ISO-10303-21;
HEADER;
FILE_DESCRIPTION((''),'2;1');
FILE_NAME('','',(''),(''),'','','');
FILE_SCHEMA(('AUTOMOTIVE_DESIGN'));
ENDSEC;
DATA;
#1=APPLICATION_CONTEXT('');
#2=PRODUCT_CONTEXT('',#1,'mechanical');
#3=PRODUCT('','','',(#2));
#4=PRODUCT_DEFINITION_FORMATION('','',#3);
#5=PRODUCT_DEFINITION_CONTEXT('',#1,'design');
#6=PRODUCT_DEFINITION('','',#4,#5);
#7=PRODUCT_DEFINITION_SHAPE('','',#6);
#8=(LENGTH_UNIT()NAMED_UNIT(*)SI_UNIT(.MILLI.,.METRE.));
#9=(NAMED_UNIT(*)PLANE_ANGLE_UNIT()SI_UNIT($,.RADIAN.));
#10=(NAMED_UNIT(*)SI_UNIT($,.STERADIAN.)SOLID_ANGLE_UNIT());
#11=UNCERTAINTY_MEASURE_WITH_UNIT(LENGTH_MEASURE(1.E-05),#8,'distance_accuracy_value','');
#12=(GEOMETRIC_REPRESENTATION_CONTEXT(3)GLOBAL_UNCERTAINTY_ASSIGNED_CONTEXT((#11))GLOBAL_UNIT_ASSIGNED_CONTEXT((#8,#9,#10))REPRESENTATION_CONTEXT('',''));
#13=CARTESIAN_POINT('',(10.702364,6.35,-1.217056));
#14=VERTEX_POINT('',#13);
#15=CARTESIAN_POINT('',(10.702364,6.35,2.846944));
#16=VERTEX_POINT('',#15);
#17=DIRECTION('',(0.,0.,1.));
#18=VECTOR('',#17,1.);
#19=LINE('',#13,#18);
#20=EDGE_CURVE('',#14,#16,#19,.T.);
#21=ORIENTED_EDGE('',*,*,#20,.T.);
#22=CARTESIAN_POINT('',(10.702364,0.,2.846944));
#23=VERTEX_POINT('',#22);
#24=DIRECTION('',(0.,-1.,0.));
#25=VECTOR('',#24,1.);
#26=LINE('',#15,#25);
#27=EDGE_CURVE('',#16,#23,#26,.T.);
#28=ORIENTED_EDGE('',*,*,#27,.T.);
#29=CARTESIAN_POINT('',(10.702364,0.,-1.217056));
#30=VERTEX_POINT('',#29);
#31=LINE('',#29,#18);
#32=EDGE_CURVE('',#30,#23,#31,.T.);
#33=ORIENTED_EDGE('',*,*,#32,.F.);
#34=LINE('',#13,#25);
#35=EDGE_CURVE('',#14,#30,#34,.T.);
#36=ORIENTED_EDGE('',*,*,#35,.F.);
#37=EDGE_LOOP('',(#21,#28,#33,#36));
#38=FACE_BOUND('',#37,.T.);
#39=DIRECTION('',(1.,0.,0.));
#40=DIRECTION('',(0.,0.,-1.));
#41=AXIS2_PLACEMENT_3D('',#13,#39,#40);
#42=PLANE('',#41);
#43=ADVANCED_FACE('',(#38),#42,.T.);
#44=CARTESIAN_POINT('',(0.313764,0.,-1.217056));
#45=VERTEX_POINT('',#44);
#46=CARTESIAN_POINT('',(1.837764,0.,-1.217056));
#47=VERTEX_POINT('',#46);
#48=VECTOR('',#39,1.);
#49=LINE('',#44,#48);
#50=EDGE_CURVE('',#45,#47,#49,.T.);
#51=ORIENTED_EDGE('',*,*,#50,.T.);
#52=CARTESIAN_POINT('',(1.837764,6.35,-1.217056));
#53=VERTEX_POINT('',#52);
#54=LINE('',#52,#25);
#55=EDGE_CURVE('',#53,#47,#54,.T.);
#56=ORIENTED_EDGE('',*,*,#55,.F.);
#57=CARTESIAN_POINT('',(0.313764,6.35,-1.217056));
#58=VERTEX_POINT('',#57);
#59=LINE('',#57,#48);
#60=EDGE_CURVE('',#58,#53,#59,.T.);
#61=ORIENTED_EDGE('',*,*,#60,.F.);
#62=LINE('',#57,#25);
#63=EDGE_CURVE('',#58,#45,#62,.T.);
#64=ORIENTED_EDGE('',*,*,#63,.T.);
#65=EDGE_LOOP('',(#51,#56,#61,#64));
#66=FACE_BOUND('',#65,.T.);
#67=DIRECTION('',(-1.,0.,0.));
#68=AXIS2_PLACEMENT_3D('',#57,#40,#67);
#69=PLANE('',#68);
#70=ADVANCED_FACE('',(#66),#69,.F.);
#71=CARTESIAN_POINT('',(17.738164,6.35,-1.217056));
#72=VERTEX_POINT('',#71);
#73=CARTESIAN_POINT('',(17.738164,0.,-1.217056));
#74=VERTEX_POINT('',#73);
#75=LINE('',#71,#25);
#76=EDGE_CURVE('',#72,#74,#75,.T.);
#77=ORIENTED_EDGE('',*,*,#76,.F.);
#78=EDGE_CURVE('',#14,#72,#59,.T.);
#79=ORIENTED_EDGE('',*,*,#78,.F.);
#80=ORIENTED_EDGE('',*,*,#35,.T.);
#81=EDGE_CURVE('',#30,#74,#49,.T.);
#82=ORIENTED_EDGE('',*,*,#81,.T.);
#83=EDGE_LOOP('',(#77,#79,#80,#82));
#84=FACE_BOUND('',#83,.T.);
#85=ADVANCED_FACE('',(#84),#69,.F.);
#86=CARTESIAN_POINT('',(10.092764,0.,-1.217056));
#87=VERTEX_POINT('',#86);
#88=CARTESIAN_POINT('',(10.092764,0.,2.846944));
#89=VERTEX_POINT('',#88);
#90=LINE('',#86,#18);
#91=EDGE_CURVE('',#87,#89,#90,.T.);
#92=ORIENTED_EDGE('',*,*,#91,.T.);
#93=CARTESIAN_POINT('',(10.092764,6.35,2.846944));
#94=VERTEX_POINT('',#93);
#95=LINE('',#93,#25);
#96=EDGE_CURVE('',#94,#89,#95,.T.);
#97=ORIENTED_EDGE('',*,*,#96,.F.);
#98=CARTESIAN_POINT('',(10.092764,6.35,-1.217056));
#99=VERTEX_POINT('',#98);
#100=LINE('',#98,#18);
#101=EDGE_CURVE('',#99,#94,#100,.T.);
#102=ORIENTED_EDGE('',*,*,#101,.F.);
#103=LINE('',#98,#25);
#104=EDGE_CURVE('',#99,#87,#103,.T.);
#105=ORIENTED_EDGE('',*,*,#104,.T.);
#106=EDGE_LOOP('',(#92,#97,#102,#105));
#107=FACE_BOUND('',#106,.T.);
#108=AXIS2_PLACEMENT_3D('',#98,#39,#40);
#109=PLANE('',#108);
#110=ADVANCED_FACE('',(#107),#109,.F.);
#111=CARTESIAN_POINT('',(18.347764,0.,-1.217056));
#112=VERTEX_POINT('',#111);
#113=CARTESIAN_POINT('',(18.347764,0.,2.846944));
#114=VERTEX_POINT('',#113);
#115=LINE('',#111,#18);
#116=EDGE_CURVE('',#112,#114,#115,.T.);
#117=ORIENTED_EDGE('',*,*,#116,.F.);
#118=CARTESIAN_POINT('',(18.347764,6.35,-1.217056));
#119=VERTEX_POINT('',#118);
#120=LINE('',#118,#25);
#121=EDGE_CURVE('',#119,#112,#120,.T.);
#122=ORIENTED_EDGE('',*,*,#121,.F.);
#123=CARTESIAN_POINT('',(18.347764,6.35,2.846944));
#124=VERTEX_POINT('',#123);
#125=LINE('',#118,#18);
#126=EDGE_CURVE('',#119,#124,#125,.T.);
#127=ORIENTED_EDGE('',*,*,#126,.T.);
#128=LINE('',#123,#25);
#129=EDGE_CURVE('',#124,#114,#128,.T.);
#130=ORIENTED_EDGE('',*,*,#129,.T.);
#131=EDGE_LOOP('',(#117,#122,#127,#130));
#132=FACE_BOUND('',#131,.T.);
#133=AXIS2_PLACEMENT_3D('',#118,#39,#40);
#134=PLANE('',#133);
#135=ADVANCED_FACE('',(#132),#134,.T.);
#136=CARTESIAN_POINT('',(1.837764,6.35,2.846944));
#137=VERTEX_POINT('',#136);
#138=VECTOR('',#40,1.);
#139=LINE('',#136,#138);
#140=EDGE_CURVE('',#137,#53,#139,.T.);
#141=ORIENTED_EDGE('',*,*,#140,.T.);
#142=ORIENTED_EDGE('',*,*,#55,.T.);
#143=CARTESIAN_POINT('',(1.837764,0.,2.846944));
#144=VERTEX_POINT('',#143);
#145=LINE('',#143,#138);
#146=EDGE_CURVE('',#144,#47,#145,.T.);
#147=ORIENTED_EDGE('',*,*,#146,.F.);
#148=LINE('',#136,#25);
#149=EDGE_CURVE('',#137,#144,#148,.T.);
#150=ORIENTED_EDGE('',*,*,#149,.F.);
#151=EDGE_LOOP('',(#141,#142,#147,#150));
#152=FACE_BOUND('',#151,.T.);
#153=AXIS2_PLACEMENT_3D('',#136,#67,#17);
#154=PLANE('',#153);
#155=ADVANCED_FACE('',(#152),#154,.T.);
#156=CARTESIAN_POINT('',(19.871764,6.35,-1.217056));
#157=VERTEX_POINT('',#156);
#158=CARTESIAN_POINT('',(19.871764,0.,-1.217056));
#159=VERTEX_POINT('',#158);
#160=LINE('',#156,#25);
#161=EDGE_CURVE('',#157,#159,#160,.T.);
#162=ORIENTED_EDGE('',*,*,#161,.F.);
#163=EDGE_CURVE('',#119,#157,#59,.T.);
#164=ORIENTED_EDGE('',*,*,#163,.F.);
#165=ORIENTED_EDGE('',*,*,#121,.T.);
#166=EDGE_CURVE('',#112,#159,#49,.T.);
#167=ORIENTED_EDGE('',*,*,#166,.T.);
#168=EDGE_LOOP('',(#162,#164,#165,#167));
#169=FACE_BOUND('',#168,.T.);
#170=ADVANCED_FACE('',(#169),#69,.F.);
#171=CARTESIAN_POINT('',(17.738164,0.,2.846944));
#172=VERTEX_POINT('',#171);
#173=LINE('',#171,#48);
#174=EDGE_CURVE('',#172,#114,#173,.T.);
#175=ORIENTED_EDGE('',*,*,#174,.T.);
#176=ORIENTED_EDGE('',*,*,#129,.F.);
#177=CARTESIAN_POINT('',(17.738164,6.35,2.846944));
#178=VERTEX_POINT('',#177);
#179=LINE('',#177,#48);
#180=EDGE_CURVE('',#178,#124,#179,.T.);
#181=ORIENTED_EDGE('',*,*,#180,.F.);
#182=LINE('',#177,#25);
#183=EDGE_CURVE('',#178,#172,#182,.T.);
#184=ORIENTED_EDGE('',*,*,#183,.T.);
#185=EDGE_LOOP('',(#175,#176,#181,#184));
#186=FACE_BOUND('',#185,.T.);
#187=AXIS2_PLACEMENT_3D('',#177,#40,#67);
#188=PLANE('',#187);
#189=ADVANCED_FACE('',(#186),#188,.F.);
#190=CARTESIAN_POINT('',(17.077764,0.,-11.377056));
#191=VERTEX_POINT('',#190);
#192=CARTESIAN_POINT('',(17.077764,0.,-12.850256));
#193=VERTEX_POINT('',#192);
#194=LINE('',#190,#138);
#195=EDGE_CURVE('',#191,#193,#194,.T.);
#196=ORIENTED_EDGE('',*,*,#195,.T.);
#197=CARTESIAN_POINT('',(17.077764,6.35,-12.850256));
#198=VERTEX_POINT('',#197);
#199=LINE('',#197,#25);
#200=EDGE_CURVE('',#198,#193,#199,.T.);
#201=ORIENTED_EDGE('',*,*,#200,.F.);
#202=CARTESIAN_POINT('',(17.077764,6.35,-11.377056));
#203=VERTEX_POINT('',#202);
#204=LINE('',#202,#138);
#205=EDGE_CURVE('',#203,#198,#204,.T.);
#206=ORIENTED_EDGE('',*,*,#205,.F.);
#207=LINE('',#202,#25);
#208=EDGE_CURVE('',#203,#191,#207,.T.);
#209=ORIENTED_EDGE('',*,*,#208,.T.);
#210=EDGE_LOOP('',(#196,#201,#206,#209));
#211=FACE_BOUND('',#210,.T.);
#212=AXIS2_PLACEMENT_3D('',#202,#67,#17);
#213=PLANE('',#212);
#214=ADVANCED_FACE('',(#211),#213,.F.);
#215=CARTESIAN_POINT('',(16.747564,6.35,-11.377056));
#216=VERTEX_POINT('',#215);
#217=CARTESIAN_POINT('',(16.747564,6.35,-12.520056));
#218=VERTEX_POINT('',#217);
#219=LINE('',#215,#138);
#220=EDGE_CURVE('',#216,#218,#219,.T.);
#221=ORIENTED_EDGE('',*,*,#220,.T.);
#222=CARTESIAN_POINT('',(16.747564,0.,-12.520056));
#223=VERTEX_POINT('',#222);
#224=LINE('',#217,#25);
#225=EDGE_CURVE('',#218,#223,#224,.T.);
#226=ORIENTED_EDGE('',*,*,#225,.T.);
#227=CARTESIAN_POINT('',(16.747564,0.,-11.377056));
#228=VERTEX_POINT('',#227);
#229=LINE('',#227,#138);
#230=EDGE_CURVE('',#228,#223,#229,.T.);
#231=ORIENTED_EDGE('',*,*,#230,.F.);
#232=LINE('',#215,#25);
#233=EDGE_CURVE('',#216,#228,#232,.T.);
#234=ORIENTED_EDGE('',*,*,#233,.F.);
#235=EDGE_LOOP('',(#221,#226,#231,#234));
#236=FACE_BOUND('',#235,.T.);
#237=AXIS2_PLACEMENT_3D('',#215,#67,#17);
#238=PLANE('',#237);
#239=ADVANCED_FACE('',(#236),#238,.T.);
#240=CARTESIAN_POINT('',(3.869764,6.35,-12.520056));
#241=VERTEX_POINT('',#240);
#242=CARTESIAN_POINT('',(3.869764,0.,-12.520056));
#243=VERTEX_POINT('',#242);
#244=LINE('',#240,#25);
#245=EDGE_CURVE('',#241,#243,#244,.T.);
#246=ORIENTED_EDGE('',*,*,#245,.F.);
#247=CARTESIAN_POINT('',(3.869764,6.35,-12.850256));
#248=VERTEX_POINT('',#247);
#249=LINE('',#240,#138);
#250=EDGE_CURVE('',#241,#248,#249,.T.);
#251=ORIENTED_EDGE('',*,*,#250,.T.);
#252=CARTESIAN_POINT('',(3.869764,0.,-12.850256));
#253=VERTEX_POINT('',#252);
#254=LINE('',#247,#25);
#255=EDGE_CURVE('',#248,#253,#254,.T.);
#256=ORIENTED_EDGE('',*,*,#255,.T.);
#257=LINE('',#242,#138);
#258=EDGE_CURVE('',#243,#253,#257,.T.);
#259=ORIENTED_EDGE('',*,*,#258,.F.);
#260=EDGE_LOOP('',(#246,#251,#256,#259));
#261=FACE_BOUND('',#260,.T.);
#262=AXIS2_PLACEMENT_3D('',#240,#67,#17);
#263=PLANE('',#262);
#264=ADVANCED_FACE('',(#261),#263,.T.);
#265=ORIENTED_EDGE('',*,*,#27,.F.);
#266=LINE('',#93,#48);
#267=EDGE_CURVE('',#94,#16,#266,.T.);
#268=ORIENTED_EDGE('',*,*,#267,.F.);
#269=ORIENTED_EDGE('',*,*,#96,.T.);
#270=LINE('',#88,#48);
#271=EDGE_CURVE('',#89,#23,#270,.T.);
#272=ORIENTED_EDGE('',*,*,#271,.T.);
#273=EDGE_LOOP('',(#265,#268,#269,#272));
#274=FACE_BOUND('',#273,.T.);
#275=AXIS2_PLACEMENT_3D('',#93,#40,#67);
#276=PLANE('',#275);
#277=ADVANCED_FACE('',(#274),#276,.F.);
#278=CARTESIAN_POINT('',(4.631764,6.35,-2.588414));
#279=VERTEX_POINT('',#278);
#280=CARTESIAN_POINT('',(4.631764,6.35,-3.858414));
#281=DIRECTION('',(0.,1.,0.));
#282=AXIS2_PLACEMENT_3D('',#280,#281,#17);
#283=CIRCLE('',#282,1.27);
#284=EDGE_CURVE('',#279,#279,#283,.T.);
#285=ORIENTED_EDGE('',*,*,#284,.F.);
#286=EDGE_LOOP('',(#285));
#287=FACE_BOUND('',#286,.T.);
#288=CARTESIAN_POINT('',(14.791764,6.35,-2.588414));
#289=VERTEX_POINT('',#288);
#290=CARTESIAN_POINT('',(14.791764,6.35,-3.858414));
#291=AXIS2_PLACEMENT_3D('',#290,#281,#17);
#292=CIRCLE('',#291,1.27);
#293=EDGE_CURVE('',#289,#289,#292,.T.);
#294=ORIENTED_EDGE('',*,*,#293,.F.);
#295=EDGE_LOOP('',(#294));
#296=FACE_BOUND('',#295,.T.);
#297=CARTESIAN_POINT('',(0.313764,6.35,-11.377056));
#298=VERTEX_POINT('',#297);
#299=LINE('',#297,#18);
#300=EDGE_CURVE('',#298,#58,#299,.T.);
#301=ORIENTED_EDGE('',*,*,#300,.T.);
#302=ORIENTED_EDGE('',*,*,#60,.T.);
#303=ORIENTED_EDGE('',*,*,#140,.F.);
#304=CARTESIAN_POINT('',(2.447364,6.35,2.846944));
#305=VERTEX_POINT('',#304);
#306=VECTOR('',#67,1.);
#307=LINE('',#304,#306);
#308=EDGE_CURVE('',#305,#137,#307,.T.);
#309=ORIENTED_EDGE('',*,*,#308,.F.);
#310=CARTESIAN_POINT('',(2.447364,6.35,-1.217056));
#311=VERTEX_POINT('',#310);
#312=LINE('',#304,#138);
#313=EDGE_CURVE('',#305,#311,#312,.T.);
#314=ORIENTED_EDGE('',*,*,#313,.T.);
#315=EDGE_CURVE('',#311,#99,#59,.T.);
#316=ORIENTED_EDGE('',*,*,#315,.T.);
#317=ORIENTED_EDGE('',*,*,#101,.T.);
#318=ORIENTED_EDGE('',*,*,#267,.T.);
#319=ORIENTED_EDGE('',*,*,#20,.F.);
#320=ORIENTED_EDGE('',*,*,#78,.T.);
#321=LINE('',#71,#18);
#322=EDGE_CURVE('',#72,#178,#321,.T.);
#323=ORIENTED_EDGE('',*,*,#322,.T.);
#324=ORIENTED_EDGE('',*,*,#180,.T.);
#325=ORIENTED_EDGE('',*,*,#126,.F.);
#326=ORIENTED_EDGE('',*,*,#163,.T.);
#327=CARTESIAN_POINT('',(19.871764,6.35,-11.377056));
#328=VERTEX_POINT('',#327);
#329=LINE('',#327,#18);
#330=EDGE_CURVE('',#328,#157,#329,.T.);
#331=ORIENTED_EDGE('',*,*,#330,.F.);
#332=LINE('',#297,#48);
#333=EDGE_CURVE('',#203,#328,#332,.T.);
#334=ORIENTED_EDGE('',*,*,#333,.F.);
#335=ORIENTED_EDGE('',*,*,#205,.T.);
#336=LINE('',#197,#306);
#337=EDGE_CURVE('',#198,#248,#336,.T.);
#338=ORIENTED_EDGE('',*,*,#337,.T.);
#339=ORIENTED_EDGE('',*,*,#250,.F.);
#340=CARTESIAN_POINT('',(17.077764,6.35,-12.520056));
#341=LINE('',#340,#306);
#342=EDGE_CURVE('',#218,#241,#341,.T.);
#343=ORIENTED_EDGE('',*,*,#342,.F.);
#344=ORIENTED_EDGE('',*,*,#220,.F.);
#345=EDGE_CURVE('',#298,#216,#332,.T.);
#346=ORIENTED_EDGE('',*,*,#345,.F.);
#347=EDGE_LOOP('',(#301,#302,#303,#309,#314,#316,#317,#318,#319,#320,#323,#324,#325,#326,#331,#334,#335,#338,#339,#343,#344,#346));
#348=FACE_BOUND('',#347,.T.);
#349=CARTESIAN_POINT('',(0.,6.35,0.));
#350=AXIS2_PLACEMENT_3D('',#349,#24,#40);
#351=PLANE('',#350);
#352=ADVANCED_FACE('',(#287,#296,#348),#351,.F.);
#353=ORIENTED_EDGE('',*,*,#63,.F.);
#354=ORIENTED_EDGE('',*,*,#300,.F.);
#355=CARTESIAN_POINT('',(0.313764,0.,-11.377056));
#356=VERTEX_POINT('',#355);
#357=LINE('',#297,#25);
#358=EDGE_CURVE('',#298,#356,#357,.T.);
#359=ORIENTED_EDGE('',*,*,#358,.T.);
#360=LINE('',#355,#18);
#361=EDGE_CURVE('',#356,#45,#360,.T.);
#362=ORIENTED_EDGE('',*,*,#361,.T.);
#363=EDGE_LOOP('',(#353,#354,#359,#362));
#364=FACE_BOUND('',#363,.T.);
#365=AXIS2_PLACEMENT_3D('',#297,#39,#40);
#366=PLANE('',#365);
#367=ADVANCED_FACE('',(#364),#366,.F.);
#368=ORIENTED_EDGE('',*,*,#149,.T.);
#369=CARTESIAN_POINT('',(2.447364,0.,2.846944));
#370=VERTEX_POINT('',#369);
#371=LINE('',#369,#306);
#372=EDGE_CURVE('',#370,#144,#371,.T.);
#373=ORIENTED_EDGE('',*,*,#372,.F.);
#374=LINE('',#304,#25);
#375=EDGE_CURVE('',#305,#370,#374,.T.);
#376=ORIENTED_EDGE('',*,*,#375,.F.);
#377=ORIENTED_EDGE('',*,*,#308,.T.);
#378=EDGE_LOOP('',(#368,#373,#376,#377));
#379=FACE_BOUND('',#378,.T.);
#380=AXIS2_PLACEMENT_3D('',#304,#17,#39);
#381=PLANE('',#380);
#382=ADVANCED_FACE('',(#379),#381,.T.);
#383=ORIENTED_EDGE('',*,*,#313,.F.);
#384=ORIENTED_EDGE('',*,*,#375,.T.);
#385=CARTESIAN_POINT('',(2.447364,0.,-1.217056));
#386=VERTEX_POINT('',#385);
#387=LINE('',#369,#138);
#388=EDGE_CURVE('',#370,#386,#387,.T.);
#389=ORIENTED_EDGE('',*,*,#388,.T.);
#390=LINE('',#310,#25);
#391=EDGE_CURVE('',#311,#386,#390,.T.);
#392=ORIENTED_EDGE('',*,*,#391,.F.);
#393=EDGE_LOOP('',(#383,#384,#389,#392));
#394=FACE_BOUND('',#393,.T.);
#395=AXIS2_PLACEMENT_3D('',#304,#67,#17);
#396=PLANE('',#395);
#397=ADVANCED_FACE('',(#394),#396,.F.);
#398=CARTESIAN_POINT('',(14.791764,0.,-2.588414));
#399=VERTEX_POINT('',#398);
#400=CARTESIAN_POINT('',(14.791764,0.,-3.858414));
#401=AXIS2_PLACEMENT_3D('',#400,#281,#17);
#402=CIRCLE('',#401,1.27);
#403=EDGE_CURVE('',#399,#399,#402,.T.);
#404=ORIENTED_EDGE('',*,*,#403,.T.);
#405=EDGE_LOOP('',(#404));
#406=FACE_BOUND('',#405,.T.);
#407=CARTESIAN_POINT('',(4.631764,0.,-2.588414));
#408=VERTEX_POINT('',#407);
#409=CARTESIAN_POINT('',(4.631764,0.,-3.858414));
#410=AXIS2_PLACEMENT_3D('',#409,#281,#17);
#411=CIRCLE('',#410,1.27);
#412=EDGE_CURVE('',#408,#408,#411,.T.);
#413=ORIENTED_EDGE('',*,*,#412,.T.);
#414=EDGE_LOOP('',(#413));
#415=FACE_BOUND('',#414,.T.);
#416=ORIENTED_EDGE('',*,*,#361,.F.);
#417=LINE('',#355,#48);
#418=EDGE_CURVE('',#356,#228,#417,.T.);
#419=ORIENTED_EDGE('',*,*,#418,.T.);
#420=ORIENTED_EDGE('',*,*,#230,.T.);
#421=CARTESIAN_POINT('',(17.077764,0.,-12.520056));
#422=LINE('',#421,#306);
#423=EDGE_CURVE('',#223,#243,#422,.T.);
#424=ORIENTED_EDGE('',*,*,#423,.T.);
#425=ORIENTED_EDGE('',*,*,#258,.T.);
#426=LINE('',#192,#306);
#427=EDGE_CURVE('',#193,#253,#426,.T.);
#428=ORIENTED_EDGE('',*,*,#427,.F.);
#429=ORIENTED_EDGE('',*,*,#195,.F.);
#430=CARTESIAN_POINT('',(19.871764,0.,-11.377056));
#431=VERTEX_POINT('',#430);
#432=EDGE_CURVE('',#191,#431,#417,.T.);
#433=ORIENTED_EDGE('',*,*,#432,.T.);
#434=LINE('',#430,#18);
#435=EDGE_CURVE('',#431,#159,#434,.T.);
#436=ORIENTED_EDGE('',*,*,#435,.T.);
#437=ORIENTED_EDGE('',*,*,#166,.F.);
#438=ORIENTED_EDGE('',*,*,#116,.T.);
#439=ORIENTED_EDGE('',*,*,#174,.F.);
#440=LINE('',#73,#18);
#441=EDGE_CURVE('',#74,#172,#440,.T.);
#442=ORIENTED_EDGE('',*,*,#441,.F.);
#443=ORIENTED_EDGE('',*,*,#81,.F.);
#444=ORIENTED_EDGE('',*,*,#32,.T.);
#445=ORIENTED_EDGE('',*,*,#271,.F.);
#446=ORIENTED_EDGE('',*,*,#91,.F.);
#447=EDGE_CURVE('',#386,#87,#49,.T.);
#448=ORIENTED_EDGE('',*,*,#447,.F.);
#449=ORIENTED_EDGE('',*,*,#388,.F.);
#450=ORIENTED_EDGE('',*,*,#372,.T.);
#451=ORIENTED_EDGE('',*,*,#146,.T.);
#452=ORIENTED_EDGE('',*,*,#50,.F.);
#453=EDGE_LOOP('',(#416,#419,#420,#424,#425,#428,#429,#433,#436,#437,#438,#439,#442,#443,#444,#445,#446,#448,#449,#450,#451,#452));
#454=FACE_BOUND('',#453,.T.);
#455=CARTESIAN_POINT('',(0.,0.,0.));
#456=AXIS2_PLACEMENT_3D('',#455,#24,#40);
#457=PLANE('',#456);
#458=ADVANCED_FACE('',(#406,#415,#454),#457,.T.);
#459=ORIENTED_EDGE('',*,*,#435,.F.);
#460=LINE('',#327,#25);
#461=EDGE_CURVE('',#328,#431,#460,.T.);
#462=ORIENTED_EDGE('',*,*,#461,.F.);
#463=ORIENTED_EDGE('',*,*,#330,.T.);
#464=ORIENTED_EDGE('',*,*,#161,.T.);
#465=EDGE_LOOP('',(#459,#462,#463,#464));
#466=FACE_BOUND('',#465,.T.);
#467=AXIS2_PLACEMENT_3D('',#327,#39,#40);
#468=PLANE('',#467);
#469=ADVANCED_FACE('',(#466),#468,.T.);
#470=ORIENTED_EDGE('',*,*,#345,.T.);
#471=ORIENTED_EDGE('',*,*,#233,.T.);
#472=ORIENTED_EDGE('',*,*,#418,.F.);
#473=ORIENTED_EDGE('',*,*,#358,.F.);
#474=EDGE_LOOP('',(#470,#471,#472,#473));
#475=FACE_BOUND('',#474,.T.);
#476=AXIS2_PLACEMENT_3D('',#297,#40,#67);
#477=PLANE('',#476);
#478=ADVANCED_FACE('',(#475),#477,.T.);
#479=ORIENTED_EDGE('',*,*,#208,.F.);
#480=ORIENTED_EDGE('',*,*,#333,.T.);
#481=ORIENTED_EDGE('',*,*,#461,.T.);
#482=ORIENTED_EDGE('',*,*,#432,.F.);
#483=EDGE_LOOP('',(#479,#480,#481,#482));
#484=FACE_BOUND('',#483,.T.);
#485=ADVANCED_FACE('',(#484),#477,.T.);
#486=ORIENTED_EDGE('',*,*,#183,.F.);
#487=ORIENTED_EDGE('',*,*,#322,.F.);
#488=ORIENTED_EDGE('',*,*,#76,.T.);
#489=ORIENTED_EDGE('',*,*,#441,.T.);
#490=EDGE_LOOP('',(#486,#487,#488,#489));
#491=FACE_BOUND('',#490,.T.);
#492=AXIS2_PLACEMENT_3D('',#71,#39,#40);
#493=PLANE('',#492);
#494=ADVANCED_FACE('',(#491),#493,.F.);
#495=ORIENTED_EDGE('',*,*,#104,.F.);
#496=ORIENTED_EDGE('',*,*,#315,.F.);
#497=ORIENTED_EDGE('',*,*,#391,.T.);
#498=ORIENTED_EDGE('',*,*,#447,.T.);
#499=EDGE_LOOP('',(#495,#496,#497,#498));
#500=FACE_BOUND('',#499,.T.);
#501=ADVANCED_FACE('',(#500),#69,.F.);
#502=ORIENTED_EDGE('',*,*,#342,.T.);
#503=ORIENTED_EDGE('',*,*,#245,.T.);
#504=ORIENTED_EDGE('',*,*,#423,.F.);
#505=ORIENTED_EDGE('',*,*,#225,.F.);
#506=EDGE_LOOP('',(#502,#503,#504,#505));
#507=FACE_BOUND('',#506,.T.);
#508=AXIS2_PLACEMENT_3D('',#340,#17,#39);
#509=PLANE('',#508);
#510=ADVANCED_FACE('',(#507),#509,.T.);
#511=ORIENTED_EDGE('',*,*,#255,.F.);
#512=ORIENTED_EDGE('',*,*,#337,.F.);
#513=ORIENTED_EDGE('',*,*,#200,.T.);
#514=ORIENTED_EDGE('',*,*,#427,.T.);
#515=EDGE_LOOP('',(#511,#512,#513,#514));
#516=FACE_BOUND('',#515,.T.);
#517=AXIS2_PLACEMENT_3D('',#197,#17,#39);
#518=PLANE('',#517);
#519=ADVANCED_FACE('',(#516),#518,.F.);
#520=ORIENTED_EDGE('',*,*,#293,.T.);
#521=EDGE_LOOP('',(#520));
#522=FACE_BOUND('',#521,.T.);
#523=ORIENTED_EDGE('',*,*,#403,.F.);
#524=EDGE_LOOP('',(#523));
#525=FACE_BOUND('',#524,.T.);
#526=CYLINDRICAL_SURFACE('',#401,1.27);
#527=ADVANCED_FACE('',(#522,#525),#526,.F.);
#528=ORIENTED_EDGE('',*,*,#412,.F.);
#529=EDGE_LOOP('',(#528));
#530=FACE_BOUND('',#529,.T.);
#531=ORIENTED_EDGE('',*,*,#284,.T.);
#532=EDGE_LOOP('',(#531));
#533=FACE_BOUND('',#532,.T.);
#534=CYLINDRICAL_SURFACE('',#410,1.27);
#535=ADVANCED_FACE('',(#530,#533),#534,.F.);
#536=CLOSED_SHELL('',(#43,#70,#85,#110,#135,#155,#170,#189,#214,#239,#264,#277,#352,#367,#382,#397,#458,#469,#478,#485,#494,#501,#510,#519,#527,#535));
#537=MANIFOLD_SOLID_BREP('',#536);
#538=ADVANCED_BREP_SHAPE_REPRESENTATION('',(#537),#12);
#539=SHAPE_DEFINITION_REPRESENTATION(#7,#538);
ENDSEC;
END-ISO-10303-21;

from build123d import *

# Parameters (mm, degrees)
SKETCH1_W           = 19.558
SKETCH1_H           = 10.16
SKETCH1_W_2         = 0.6096
SKETCH1_H_2         = 4.064
BOSS_EXTRUDE1_DEPTH = 6.35
SKETCH2_R           = 1.27
CUT_EXTRUDE1_DEPTH  = 6.35
SKETCH1_4_W         = 0.3302
SKETCH1_4_H         = 1.143
BOSS_EXTRUDE2_DEPTH = 6.35


with BuildPart() as part:
    # Sketch1 → Boss-Extrude1 (new body)
    with BuildSketch(Plane(origin=(0, 0, 0), x_dir=(1, 0, 0), z_dir=(0, 1, 0))):
        with Locations((10.092764077, 6.29705611)):
            Rectangle(SKETCH1_W, SKETCH1_H)
        with Locations((2.142564077, -0.81494389)):
            Rectangle(SKETCH1_W_2, SKETCH1_H_2)
        with Locations((18.042964077, -0.81494389)):
            Rectangle(SKETCH1_W_2, SKETCH1_H_2)
        with Locations((10.397564077, -0.81494389)):
            Rectangle(SKETCH1_W_2, SKETCH1_H_2)
    extrude(amount=BOSS_EXTRUDE1_DEPTH)

    # Sketch2 → Cut-Extrude1 (cut)
    with BuildSketch(Plane(origin=(0, 6.35, 0), x_dir=(1, 0, 0), z_dir=(0, 1, 0))):
        with Locations((4.631764077, 3.858413602)):
            Circle(SKETCH2_R)
        with Locations((14.791764077, 3.858413602)):
            Circle(SKETCH2_R)
    extrude(amount=-CUT_EXTRUDE1_DEPTH, mode=Mode.SUBTRACT)

    # Sketch1<4> → Boss-Extrude2 (add)
    with BuildSketch(Plane(origin=(0, 0, 0), x_dir=(1, 0, 0), z_dir=(0, 1, 0))):
        with Locations((16.912664077, 11.94855611)):
            Rectangle(SKETCH1_4_W, SKETCH1_4_H)
        Polygon((16.747564077, 12.52005611), (17.077764077, 12.52005611), (17.077764077, 12.85025611), (3.869764077, 12.85025611), (3.869764077, 12.52005611), align=None)
    extrude(amount=BOSS_EXTRUDE2_DEPTH)


solid = part.part
